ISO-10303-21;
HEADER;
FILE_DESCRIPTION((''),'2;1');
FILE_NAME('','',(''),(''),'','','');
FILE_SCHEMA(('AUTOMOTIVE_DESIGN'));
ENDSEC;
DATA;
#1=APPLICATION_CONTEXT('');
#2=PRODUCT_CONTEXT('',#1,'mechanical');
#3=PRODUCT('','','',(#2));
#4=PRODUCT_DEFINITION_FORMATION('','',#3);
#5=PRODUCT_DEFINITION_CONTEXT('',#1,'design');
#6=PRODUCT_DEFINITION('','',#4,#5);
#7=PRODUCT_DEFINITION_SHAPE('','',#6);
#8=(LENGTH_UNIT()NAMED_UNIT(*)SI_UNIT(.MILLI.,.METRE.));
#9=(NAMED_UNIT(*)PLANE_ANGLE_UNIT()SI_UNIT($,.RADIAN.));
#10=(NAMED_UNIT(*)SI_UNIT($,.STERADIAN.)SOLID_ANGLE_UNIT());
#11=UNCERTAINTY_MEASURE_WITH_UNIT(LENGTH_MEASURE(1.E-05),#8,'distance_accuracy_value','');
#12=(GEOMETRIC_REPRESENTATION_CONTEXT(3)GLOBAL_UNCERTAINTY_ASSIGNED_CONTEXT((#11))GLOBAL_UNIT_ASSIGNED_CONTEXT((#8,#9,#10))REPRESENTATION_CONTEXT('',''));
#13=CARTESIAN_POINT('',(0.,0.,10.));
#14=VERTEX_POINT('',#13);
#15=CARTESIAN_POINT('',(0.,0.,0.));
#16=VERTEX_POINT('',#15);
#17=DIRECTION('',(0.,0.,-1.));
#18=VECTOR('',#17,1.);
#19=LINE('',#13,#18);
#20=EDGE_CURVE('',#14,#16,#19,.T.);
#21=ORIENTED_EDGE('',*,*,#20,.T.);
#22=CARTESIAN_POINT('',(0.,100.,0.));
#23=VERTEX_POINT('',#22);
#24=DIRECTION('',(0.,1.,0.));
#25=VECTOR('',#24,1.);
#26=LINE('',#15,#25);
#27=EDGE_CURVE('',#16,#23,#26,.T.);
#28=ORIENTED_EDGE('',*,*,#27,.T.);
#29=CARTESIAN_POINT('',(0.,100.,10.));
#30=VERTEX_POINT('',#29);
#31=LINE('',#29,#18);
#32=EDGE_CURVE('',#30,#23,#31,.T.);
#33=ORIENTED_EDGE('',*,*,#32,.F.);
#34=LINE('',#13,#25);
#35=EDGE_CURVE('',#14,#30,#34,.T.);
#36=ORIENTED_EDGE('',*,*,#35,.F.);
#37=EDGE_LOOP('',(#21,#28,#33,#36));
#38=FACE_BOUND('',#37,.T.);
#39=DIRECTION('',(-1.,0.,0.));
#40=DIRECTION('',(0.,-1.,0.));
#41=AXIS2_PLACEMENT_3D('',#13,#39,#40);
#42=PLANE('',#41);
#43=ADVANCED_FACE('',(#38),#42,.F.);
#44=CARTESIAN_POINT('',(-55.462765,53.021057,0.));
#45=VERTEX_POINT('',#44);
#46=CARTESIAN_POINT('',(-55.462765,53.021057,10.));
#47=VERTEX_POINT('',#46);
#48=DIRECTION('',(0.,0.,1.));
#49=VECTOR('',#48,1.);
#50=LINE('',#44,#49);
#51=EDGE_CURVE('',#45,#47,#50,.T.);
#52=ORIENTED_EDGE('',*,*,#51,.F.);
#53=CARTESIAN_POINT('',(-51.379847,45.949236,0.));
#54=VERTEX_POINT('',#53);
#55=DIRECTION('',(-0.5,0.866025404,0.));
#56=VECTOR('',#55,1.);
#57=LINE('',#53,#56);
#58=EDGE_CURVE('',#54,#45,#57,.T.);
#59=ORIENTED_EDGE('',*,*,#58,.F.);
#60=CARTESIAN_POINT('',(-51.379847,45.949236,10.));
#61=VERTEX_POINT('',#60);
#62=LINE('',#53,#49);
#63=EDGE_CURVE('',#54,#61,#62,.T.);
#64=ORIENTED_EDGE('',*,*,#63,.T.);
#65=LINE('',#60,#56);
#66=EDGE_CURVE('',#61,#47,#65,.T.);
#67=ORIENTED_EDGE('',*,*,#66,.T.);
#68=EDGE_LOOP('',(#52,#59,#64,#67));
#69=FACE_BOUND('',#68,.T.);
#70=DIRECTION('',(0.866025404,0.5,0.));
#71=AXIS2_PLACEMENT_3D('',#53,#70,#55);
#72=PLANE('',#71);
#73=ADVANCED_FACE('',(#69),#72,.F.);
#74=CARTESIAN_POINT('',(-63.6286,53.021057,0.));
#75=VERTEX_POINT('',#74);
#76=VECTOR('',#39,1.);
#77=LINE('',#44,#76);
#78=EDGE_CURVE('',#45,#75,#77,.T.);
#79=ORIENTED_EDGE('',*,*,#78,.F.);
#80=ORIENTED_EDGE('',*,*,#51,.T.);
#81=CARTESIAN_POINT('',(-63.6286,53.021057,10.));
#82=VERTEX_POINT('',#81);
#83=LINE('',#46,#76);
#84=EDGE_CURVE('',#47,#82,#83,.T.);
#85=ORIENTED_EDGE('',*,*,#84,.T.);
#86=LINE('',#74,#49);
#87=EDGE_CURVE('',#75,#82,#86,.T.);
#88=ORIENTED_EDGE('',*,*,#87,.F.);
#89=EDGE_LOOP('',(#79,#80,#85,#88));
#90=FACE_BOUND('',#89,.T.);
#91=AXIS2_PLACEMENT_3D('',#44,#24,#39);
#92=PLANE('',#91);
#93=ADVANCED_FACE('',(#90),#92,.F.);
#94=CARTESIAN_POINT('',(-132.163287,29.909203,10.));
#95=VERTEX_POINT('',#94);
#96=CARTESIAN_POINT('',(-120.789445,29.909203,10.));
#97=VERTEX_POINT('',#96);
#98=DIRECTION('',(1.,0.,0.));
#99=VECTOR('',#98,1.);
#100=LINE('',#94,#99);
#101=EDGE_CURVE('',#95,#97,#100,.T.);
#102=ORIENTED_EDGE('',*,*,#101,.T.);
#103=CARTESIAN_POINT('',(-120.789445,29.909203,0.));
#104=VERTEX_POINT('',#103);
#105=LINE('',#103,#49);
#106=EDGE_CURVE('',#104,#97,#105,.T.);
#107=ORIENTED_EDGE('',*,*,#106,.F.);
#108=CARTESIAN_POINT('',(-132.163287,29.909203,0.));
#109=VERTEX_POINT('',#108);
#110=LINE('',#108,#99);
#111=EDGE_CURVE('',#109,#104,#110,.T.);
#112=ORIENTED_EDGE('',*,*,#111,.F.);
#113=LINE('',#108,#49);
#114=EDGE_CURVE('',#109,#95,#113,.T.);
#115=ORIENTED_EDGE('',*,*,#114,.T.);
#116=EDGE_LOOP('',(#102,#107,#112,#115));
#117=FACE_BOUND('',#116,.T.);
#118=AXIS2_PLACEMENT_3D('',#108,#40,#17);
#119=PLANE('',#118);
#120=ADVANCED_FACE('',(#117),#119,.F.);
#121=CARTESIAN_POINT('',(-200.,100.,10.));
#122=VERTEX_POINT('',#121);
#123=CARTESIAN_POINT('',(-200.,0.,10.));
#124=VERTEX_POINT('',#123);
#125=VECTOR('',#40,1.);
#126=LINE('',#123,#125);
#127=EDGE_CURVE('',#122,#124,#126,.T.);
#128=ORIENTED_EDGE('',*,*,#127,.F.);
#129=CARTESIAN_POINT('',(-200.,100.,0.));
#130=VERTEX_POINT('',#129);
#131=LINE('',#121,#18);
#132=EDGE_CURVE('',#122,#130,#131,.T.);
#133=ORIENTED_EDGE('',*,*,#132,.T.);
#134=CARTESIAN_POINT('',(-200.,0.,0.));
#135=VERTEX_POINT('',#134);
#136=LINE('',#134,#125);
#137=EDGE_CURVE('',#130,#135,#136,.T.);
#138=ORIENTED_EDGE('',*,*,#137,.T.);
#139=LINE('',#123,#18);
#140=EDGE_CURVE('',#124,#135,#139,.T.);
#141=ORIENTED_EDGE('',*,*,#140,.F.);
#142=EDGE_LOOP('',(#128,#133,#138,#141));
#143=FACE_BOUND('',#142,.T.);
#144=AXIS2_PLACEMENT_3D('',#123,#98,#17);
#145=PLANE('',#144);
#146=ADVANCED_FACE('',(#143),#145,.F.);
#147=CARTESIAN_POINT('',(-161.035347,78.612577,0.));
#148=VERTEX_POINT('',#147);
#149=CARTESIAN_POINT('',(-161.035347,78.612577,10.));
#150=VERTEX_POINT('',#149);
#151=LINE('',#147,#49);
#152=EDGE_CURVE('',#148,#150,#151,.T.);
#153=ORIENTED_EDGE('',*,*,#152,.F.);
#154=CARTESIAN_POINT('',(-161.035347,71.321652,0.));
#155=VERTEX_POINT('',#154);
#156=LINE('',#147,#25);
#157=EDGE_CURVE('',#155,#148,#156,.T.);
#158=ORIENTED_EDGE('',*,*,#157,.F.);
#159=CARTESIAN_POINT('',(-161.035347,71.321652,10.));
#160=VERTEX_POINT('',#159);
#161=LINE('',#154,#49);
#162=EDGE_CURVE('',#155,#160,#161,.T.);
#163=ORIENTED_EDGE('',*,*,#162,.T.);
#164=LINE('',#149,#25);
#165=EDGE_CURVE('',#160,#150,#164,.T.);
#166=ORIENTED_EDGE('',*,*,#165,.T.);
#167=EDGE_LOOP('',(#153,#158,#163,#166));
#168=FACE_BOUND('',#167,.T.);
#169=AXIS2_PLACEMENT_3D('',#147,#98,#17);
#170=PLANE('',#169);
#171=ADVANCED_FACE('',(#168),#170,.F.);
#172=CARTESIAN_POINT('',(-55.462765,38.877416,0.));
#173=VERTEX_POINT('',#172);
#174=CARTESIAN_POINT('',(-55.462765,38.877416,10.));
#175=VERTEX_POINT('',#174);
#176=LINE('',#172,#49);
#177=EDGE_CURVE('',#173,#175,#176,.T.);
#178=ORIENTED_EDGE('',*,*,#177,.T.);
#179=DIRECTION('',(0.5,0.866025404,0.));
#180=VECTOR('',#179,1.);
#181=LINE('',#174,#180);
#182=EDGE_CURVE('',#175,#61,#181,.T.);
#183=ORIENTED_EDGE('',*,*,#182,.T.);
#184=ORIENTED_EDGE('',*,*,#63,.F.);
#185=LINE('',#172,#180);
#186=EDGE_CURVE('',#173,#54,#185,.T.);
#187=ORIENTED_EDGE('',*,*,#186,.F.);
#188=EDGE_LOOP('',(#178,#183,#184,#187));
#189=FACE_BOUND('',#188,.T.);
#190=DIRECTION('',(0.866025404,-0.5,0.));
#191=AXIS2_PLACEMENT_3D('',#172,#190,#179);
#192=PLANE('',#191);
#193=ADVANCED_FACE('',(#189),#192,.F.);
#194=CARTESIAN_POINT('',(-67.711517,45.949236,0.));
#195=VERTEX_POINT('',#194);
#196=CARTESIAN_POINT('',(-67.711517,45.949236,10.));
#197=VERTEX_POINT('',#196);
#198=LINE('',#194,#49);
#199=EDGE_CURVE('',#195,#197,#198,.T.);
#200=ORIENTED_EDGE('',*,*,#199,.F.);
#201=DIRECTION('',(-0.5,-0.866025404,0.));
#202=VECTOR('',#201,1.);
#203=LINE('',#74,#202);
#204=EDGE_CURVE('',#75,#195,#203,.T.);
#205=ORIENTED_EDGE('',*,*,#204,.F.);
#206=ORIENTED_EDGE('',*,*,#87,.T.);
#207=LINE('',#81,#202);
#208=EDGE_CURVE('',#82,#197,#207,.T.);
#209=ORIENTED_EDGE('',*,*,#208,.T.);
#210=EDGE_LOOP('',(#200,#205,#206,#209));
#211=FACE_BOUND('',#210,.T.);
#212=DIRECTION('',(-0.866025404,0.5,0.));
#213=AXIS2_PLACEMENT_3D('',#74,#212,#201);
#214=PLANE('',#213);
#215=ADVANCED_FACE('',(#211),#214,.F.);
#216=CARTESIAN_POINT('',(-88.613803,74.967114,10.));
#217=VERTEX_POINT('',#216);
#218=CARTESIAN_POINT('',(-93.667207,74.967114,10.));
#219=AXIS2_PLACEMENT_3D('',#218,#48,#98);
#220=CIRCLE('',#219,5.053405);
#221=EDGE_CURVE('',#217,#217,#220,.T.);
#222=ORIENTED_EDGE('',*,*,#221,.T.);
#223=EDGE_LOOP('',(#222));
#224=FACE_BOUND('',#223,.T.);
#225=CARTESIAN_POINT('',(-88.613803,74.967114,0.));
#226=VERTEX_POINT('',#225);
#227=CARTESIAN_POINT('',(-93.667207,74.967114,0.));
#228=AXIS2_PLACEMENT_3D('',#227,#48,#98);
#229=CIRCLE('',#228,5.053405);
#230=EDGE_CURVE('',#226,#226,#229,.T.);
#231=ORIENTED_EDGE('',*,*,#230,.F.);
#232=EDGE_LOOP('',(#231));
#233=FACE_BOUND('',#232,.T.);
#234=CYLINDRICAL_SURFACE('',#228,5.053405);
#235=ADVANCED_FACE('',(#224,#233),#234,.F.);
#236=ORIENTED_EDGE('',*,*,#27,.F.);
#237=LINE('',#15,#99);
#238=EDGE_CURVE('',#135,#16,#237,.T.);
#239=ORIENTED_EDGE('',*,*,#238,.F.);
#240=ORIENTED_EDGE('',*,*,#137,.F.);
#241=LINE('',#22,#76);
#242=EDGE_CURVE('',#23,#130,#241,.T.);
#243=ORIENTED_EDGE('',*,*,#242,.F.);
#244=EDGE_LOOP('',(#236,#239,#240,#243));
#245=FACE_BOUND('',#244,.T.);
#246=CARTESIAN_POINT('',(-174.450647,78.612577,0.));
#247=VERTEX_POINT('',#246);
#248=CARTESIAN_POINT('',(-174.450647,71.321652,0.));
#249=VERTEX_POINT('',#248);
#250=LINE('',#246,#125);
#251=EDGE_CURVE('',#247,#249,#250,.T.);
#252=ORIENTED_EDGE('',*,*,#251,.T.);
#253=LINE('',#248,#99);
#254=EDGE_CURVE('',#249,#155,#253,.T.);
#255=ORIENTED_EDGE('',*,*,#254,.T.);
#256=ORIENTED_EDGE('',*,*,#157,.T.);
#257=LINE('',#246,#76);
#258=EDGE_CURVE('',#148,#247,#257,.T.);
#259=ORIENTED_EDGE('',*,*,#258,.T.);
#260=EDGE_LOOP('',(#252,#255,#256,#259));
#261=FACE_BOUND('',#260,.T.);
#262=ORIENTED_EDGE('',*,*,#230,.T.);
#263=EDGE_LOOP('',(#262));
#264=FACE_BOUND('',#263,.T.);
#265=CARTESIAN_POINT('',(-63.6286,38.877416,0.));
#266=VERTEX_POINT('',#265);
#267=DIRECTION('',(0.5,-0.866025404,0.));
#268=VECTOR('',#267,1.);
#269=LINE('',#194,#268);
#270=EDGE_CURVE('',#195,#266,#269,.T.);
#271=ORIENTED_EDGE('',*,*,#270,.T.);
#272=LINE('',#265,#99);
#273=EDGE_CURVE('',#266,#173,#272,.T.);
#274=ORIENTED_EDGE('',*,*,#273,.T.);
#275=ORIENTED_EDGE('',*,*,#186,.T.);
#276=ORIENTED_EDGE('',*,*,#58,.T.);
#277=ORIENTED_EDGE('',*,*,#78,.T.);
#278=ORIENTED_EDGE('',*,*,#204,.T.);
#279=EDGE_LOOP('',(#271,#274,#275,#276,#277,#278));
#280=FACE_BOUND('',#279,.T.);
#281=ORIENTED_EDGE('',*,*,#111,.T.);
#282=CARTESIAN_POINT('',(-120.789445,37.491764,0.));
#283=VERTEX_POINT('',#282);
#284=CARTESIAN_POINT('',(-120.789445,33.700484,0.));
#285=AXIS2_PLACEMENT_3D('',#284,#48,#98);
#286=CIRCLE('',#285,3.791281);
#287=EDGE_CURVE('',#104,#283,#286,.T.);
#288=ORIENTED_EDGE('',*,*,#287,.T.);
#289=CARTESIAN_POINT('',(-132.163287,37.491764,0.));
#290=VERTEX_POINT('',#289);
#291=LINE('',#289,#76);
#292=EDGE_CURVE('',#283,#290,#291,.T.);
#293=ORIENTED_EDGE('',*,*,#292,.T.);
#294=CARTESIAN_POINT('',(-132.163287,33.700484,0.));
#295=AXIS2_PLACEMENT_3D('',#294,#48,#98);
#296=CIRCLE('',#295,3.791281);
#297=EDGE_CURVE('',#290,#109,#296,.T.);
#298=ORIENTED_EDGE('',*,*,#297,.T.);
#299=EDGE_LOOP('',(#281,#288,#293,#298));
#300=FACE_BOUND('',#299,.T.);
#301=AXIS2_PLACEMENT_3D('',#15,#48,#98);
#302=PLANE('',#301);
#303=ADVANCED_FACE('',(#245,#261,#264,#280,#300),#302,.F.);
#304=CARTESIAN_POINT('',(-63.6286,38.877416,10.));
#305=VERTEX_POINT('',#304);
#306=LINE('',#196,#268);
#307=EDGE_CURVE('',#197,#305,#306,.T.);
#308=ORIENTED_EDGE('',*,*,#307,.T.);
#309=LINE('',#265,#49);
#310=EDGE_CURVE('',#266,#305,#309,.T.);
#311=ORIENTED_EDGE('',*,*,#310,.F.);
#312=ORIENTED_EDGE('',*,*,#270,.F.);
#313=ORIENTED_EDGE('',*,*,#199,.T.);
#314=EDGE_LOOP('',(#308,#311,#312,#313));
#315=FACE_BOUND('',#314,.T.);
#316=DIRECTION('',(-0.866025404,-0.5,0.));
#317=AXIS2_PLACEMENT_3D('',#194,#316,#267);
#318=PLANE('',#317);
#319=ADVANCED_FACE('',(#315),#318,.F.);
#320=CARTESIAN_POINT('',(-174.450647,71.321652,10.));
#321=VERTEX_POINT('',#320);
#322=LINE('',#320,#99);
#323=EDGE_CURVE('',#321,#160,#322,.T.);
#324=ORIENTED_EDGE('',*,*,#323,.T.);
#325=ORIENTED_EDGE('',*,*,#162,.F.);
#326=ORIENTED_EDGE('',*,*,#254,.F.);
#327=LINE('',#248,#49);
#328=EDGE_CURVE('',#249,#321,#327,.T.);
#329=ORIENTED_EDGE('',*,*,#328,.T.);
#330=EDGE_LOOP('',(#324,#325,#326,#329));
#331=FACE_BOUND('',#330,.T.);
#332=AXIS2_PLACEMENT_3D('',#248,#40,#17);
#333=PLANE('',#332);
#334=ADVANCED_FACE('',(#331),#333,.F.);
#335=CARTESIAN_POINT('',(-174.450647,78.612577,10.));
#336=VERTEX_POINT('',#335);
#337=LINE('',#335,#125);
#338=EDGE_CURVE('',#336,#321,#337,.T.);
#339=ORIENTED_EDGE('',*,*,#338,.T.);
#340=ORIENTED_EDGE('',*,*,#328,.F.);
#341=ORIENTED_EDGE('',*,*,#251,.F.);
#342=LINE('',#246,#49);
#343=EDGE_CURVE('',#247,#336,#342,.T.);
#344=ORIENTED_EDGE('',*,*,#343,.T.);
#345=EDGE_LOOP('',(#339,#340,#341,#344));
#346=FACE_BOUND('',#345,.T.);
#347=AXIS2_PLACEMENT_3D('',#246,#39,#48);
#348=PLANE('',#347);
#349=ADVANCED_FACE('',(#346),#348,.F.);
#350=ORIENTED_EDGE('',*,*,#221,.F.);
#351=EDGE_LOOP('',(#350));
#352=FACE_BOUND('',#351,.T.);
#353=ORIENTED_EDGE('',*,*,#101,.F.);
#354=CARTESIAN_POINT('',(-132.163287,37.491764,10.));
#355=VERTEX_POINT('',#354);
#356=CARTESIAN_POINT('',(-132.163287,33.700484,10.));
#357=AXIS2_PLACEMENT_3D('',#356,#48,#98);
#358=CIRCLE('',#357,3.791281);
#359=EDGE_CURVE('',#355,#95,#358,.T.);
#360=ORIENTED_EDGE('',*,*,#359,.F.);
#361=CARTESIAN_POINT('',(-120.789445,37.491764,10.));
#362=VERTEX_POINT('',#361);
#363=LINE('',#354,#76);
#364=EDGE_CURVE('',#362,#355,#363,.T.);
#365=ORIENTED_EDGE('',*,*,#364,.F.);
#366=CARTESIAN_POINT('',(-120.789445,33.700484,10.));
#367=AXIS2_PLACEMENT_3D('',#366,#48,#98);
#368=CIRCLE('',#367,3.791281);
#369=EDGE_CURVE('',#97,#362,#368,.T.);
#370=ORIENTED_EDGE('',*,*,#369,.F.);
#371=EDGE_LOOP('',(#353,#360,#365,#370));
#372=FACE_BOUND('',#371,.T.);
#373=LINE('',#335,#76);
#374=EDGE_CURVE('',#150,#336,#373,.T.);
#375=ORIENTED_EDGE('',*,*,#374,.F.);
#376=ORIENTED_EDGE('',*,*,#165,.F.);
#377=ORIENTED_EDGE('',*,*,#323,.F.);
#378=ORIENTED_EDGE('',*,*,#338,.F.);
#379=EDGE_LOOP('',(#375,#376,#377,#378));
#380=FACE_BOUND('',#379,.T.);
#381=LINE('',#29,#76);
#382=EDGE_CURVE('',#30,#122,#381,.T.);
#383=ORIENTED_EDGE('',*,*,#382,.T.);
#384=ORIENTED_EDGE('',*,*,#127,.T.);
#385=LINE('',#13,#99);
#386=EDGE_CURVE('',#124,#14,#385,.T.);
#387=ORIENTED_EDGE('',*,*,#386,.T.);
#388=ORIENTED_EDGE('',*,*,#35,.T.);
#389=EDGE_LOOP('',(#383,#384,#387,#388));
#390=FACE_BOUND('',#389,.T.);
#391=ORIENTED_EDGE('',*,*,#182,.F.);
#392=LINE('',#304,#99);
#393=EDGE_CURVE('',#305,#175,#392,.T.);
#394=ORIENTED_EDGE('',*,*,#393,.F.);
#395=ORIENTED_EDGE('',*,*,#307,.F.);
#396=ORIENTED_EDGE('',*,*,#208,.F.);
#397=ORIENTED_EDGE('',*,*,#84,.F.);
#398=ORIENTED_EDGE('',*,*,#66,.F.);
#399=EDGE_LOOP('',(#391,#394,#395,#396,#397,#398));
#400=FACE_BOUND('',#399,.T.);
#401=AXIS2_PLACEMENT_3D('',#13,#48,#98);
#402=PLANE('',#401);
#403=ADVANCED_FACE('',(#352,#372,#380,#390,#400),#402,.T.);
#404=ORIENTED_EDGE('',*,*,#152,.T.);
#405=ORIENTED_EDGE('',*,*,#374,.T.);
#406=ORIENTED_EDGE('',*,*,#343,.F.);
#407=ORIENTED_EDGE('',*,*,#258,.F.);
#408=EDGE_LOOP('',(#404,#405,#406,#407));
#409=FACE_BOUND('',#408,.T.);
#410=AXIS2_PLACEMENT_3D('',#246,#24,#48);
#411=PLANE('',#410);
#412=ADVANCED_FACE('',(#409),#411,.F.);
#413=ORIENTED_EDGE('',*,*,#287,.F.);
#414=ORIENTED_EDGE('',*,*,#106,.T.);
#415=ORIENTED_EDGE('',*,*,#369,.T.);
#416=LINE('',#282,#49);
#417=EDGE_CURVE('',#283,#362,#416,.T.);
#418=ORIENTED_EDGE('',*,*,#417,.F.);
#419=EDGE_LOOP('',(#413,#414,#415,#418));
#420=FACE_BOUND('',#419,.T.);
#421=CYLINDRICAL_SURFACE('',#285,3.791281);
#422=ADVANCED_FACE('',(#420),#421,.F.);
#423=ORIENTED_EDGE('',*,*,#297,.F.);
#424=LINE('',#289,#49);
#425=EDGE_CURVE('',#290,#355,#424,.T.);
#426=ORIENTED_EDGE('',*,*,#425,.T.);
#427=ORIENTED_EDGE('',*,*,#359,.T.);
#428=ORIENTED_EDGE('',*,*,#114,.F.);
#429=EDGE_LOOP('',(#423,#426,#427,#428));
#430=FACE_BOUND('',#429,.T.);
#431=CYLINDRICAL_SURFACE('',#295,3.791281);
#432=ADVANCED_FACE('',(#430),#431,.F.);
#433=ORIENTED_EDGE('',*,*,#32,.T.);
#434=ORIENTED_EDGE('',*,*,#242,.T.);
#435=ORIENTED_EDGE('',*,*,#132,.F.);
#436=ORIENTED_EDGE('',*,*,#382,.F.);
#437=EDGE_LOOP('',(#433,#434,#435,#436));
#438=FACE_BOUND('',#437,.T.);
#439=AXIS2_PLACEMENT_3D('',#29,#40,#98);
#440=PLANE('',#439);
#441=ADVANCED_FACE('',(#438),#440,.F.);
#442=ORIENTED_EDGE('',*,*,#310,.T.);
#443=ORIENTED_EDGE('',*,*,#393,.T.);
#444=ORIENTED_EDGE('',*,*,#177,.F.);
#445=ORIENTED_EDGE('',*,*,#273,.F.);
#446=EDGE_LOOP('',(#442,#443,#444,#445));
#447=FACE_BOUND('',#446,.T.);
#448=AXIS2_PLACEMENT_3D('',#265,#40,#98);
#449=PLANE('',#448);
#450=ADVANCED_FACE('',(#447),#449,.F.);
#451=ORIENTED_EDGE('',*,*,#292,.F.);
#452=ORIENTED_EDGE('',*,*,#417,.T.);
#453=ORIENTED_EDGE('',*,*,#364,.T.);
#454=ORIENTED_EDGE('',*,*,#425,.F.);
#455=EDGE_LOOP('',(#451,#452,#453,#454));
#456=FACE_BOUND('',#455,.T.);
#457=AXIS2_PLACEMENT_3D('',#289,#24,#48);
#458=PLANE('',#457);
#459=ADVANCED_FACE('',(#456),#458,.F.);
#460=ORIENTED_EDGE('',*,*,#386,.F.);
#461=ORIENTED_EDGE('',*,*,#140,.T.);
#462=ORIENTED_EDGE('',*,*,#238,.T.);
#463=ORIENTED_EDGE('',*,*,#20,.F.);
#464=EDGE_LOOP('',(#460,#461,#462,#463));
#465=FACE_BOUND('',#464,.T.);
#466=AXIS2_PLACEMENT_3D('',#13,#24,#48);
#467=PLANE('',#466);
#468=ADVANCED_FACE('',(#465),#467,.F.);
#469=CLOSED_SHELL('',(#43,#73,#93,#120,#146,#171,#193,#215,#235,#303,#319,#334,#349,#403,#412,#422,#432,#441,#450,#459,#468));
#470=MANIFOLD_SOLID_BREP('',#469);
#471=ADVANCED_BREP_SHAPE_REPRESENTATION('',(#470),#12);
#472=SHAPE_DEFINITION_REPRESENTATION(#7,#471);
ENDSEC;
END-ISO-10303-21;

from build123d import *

# Parameters (mm, degrees)
SKETCH1_W           = 200
SKETCH1_H           = 100
BOSS_EXTRUDE1_DEPTH = 10
SKETCH2_R           = 5.053404716
SKETCH2_W           = 13.415300493
SKETCH2_H           = 7.29092418
CUT_EXTRUDE1_DEPTH  = 10


with BuildPart() as part:
    # Sketch1 → Boss-Extrude1 (new body)
    with BuildSketch(Plane.XY):
        with Locations((-100, 50)):
            Rectangle(SKETCH1_W, SKETCH1_H)
    extrude(amount=BOSS_EXTRUDE1_DEPTH)

    # Sketch2 → Cut-Extrude1 (cut)
    with BuildSketch(Plane.XY.offset(10)):
        with Locations((-93.667207309, 74.96711448)):
            Circle(SKETCH2_R)
        with Locations((-167.742996984, 74.96711448)):
            Rectangle(SKETCH2_W, SKETCH2_H)
        with BuildLine():
            Line((-132.163286982, 37.491764192), (-120.789445261, 37.491764192))
            ThreePointArc((-120.789445261, 37.491764192), (-116.998164687, 33.700483618), (-120.789445261, 29.909203044))
            Line((-120.789445261, 29.909203044), (-132.163286982, 29.909203044))
            ThreePointArc((-132.163286982, 29.909203044), (-135.954567556, 33.700483618), (-132.163286982, 37.491764192))
        make_face()
        Polygon((-51.379847062, 45.949236241), (-55.462764603, 53.021056866), (-63.628599685, 53.021056866), (-67.711517226, 45.949236241), (-63.628599685, 38.877415617), (-55.462764603, 38.877415617), align=None)
    extrude(amount=-CUT_EXTRUDE1_DEPTH, mode=Mode.SUBTRACT)


solid = part.part
